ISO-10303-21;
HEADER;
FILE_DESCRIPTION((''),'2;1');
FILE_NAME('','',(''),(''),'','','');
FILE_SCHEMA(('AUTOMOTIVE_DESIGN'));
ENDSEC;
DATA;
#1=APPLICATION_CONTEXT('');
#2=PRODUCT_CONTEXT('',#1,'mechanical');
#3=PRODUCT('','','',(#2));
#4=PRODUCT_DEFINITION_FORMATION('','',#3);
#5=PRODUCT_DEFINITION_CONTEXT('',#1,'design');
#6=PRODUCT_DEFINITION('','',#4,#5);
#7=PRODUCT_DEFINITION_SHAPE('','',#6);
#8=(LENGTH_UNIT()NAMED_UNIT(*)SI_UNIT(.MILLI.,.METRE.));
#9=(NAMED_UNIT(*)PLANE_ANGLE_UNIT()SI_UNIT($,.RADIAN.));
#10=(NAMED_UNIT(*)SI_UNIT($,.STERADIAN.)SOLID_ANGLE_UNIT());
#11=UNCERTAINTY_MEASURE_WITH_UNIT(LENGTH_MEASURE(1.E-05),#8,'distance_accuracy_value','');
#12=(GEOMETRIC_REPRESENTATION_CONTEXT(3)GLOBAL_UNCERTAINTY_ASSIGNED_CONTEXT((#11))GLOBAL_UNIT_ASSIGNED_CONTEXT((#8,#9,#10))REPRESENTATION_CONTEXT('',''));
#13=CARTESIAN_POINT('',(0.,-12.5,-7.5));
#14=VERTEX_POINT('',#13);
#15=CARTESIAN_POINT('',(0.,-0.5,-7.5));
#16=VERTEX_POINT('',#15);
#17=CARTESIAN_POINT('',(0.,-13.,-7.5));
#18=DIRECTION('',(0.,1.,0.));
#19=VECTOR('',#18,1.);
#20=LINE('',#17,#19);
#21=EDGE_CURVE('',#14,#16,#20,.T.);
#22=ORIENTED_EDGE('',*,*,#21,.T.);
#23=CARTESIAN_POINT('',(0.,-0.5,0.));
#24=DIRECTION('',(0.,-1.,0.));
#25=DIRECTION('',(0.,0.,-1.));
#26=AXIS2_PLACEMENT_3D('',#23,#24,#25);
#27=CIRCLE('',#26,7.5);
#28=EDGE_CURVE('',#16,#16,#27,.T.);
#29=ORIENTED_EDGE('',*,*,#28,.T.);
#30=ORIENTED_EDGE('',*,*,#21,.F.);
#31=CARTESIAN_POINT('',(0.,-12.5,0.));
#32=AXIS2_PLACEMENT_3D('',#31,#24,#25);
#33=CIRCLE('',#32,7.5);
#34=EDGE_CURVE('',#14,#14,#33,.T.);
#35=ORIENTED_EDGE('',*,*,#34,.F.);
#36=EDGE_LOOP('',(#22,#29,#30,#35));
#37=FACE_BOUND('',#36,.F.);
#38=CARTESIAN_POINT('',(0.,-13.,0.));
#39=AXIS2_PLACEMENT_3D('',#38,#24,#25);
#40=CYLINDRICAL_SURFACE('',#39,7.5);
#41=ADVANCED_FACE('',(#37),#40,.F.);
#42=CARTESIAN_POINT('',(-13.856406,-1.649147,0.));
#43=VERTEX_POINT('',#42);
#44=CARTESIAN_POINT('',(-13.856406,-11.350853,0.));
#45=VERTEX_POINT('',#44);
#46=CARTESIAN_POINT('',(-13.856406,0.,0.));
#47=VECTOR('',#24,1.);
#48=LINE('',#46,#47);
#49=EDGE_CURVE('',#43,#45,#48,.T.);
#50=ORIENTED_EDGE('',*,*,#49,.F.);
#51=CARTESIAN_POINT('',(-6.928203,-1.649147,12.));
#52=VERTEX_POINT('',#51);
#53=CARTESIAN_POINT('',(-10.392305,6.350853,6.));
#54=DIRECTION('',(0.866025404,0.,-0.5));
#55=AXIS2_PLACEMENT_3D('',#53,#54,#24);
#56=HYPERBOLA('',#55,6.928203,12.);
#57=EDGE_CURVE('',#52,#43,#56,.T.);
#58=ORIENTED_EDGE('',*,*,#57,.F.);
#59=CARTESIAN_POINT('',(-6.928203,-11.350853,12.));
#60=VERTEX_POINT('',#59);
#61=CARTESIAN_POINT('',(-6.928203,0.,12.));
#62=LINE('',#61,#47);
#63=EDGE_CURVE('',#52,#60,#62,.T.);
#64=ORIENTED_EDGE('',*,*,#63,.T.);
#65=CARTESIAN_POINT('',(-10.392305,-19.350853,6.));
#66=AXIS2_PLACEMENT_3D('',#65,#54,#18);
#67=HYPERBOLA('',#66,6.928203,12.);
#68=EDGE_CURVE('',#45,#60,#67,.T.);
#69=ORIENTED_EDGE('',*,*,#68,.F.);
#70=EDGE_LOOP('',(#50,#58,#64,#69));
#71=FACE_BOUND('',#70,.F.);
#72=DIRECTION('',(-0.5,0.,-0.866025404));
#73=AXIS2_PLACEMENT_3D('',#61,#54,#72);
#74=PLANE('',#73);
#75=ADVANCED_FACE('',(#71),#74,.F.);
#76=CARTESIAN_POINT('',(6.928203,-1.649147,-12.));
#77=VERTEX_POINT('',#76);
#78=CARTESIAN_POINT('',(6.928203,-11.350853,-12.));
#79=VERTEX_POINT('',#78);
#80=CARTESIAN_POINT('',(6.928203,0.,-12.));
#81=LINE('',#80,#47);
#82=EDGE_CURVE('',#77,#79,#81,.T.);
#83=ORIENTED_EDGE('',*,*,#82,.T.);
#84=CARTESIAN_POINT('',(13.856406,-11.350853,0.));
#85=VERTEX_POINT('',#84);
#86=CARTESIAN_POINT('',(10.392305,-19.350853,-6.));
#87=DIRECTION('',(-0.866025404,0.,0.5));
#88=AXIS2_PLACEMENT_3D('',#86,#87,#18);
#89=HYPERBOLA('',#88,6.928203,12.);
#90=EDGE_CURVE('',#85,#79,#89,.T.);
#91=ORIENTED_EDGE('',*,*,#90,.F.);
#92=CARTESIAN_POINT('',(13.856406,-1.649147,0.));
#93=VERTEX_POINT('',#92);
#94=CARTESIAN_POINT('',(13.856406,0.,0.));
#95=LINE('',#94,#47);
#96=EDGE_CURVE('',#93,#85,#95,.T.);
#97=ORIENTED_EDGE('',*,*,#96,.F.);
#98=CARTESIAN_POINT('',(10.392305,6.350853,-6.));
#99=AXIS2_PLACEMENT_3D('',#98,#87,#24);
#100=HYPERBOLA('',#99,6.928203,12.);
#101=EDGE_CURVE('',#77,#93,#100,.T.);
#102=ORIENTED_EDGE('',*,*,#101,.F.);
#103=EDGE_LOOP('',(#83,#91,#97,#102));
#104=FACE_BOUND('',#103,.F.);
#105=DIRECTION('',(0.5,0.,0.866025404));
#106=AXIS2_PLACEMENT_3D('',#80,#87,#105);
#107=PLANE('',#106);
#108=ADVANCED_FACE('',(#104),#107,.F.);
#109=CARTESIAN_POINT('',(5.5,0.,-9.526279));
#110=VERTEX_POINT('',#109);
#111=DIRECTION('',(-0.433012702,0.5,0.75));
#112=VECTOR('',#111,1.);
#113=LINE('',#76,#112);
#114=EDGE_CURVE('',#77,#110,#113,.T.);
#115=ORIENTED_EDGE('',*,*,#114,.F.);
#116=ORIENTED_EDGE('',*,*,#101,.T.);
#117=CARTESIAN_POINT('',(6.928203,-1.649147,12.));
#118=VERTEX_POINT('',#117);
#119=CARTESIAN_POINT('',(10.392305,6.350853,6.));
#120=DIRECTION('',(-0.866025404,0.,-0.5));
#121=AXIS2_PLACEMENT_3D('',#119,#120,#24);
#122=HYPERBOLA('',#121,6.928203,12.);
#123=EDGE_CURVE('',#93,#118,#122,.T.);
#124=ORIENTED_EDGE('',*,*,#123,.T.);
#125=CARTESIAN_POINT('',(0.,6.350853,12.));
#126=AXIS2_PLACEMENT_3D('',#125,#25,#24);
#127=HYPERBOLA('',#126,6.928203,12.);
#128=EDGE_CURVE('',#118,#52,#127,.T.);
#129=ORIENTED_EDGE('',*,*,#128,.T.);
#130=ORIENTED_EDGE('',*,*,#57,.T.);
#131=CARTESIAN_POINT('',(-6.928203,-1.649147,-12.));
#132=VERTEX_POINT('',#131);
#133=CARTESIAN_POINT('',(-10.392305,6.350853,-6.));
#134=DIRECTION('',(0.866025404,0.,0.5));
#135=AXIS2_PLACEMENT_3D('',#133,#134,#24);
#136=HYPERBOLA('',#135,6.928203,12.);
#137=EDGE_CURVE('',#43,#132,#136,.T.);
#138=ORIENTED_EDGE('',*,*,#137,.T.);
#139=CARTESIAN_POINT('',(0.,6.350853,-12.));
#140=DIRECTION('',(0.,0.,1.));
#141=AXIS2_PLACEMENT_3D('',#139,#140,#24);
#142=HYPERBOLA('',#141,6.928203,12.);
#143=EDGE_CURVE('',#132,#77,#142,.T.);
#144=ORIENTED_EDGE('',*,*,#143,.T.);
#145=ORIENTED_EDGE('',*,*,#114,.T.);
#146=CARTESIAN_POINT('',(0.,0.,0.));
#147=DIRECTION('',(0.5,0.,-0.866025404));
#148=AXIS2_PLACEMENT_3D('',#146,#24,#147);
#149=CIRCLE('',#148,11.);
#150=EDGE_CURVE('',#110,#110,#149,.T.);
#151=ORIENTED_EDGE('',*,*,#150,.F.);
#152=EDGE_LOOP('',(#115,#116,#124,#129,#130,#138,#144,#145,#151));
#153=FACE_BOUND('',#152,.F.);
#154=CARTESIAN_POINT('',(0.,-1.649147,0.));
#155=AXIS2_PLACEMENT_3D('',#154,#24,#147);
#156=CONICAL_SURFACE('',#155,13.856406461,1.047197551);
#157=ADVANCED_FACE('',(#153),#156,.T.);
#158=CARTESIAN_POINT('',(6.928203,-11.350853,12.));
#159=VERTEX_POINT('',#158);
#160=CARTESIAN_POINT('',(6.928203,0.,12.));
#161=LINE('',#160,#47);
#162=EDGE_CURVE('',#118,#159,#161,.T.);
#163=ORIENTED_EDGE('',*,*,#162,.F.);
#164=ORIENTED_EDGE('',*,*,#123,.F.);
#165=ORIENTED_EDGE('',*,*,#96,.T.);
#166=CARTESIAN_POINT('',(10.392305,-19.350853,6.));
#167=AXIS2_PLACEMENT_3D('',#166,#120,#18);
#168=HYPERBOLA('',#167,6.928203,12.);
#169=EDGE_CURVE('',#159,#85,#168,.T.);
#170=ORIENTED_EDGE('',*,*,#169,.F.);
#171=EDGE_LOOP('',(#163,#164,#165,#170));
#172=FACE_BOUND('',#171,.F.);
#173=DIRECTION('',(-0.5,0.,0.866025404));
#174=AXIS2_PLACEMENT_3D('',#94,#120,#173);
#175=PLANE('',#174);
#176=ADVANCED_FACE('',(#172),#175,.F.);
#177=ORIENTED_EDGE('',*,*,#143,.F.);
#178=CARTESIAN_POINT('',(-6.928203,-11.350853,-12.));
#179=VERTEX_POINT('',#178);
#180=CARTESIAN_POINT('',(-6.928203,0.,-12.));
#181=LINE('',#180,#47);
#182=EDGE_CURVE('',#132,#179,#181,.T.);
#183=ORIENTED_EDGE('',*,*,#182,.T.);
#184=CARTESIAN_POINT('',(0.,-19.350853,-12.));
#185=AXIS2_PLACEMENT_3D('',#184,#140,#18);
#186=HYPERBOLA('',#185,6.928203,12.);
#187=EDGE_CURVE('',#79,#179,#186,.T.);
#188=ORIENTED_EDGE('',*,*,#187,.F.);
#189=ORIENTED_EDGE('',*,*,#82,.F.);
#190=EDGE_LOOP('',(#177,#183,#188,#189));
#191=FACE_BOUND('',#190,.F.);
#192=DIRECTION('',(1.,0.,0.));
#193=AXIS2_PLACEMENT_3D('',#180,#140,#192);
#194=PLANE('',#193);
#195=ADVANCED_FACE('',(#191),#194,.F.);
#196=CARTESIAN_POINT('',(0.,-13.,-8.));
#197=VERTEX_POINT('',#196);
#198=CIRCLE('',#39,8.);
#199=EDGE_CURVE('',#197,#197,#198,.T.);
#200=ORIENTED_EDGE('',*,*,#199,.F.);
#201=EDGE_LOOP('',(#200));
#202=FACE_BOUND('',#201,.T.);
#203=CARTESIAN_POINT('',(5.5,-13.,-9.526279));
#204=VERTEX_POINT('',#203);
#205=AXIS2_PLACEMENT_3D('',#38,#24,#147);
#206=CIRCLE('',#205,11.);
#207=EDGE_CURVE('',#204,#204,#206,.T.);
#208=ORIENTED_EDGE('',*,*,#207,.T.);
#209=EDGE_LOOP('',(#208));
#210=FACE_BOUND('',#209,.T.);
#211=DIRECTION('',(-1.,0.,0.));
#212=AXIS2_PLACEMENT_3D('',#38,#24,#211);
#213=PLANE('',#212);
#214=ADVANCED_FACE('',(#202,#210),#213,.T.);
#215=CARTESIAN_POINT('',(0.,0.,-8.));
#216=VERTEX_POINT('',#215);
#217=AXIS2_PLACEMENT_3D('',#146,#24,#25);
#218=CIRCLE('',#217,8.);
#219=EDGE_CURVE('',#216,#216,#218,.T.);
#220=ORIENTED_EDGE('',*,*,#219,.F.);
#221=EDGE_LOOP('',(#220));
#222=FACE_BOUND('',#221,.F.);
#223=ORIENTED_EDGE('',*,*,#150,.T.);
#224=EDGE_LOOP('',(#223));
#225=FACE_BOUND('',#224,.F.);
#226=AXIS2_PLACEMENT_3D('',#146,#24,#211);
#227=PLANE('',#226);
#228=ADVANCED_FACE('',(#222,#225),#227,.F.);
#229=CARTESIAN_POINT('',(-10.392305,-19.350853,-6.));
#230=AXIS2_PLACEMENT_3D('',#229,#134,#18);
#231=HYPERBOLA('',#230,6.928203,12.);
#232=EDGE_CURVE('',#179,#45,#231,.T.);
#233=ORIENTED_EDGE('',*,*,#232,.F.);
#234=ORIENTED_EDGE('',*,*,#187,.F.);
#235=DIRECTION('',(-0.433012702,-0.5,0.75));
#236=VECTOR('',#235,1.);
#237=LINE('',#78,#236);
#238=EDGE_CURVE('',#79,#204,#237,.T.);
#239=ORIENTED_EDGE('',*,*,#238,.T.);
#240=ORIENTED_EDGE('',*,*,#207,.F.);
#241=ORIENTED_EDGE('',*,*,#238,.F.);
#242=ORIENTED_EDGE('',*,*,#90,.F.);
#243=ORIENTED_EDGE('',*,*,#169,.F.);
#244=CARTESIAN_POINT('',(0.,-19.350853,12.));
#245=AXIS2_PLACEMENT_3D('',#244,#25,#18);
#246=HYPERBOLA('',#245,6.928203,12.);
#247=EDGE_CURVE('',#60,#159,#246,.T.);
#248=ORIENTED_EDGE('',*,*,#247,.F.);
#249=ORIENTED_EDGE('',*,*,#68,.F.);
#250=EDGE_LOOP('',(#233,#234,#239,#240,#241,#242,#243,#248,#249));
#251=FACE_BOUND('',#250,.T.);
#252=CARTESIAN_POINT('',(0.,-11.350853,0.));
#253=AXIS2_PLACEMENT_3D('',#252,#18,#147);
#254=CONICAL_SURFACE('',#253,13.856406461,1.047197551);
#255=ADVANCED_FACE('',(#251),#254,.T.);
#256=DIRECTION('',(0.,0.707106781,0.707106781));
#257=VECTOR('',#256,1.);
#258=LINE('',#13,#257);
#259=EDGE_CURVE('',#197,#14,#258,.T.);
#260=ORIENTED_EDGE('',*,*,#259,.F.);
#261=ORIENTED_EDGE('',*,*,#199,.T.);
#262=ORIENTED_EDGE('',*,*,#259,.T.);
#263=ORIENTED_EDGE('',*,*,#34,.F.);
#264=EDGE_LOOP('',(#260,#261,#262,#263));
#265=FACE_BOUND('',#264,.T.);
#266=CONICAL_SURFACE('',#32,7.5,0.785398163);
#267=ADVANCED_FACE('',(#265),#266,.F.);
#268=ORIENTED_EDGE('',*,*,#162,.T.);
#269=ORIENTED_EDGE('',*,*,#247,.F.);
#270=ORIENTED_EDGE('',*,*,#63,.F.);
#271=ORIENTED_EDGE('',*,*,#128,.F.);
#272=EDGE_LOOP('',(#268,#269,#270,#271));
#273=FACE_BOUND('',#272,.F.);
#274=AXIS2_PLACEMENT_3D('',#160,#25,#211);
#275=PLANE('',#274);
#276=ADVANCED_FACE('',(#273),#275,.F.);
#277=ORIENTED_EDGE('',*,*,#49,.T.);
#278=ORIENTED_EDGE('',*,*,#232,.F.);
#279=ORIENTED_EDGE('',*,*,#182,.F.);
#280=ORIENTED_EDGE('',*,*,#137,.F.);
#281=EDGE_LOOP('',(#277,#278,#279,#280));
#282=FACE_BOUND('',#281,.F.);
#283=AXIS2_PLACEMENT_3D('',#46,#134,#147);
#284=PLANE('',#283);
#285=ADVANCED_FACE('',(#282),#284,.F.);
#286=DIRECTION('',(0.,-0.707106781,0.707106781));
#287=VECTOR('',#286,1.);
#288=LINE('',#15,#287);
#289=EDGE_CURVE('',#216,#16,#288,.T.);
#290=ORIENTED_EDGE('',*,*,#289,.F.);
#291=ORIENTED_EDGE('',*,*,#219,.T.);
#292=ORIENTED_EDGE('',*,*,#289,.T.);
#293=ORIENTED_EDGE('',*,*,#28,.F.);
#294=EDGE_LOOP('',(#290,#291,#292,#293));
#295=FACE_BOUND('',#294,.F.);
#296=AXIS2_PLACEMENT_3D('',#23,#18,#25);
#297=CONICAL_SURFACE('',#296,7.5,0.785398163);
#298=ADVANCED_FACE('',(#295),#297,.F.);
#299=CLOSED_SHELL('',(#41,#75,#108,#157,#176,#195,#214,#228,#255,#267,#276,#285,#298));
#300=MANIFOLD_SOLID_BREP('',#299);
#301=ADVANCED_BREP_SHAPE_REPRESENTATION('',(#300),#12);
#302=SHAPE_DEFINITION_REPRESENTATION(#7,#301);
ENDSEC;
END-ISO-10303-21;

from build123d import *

# Parameters (mm, degrees)
EXTRUDE_1_DEPTH     = 13
SKETCH_5_R          = 7.5
CUT_EXTRUDE_1_DEPTH = 23.472205054
CHAMFER_1_SIZE      = 0.5


with BuildPart() as part:
    # Эскиз1 → Вытянуть1 (new body)
    with BuildSketch(Plane(origin=(0, 0, 0), x_dir=(1, 0, 0), z_dir=(0, 1, 0))):
        Polygon((-6.92820323, 12), (6.92820323, 12), (13.856406461, 0), (6.92820323, -12), (-6.92820323, -12), (-13.856406461, 0), align=None)
    extrude(amount=-EXTRUDE_1_DEPTH)

    # Эскиз5 → Вырез-Вытянуть1 (cut, through all)
    with BuildSketch(Plane.XZ.offset(13)):
        with Locations(Location((0, 0, 0), (0, 0, 270))):
            Circle(SKETCH_5_R)
    extrude(amount=-CUT_EXTRUDE_1_DEPTH, mode=Mode.SUBTRACT)

    # Эскиз4 → Вырез-Повернуть1 (revolve, cut)
    with BuildSketch(Plane.XY, mode=Mode.PRIVATE) as cut_revolve_1_sk:
        Polygon((-13.856406461, -1.649147039), (-11, 0), (-13.856406461, 0), align=None)
        Polygon((-13.856406461, -11.350852961), (-11, -13), (-13.856406461, -13), align=None)
    revolve(cut_revolve_1_sk.sketch.rotate(Axis((0, 0, 0), (0, -1, 0)), 119.999999992), axis=Axis((0, 0, 0), (0, -1, 0)), mode=Mode.SUBTRACT)

    # Фаска1
    chamfer_1_edges = [part.edges().sort_by_distance(p)[0] for p in [
        (0, 0, 7.5),
        (0, -13, 7.5),
    ]]
    chamfer(chamfer_1_edges, length=CHAMFER_1_SIZE)


solid = part.part
